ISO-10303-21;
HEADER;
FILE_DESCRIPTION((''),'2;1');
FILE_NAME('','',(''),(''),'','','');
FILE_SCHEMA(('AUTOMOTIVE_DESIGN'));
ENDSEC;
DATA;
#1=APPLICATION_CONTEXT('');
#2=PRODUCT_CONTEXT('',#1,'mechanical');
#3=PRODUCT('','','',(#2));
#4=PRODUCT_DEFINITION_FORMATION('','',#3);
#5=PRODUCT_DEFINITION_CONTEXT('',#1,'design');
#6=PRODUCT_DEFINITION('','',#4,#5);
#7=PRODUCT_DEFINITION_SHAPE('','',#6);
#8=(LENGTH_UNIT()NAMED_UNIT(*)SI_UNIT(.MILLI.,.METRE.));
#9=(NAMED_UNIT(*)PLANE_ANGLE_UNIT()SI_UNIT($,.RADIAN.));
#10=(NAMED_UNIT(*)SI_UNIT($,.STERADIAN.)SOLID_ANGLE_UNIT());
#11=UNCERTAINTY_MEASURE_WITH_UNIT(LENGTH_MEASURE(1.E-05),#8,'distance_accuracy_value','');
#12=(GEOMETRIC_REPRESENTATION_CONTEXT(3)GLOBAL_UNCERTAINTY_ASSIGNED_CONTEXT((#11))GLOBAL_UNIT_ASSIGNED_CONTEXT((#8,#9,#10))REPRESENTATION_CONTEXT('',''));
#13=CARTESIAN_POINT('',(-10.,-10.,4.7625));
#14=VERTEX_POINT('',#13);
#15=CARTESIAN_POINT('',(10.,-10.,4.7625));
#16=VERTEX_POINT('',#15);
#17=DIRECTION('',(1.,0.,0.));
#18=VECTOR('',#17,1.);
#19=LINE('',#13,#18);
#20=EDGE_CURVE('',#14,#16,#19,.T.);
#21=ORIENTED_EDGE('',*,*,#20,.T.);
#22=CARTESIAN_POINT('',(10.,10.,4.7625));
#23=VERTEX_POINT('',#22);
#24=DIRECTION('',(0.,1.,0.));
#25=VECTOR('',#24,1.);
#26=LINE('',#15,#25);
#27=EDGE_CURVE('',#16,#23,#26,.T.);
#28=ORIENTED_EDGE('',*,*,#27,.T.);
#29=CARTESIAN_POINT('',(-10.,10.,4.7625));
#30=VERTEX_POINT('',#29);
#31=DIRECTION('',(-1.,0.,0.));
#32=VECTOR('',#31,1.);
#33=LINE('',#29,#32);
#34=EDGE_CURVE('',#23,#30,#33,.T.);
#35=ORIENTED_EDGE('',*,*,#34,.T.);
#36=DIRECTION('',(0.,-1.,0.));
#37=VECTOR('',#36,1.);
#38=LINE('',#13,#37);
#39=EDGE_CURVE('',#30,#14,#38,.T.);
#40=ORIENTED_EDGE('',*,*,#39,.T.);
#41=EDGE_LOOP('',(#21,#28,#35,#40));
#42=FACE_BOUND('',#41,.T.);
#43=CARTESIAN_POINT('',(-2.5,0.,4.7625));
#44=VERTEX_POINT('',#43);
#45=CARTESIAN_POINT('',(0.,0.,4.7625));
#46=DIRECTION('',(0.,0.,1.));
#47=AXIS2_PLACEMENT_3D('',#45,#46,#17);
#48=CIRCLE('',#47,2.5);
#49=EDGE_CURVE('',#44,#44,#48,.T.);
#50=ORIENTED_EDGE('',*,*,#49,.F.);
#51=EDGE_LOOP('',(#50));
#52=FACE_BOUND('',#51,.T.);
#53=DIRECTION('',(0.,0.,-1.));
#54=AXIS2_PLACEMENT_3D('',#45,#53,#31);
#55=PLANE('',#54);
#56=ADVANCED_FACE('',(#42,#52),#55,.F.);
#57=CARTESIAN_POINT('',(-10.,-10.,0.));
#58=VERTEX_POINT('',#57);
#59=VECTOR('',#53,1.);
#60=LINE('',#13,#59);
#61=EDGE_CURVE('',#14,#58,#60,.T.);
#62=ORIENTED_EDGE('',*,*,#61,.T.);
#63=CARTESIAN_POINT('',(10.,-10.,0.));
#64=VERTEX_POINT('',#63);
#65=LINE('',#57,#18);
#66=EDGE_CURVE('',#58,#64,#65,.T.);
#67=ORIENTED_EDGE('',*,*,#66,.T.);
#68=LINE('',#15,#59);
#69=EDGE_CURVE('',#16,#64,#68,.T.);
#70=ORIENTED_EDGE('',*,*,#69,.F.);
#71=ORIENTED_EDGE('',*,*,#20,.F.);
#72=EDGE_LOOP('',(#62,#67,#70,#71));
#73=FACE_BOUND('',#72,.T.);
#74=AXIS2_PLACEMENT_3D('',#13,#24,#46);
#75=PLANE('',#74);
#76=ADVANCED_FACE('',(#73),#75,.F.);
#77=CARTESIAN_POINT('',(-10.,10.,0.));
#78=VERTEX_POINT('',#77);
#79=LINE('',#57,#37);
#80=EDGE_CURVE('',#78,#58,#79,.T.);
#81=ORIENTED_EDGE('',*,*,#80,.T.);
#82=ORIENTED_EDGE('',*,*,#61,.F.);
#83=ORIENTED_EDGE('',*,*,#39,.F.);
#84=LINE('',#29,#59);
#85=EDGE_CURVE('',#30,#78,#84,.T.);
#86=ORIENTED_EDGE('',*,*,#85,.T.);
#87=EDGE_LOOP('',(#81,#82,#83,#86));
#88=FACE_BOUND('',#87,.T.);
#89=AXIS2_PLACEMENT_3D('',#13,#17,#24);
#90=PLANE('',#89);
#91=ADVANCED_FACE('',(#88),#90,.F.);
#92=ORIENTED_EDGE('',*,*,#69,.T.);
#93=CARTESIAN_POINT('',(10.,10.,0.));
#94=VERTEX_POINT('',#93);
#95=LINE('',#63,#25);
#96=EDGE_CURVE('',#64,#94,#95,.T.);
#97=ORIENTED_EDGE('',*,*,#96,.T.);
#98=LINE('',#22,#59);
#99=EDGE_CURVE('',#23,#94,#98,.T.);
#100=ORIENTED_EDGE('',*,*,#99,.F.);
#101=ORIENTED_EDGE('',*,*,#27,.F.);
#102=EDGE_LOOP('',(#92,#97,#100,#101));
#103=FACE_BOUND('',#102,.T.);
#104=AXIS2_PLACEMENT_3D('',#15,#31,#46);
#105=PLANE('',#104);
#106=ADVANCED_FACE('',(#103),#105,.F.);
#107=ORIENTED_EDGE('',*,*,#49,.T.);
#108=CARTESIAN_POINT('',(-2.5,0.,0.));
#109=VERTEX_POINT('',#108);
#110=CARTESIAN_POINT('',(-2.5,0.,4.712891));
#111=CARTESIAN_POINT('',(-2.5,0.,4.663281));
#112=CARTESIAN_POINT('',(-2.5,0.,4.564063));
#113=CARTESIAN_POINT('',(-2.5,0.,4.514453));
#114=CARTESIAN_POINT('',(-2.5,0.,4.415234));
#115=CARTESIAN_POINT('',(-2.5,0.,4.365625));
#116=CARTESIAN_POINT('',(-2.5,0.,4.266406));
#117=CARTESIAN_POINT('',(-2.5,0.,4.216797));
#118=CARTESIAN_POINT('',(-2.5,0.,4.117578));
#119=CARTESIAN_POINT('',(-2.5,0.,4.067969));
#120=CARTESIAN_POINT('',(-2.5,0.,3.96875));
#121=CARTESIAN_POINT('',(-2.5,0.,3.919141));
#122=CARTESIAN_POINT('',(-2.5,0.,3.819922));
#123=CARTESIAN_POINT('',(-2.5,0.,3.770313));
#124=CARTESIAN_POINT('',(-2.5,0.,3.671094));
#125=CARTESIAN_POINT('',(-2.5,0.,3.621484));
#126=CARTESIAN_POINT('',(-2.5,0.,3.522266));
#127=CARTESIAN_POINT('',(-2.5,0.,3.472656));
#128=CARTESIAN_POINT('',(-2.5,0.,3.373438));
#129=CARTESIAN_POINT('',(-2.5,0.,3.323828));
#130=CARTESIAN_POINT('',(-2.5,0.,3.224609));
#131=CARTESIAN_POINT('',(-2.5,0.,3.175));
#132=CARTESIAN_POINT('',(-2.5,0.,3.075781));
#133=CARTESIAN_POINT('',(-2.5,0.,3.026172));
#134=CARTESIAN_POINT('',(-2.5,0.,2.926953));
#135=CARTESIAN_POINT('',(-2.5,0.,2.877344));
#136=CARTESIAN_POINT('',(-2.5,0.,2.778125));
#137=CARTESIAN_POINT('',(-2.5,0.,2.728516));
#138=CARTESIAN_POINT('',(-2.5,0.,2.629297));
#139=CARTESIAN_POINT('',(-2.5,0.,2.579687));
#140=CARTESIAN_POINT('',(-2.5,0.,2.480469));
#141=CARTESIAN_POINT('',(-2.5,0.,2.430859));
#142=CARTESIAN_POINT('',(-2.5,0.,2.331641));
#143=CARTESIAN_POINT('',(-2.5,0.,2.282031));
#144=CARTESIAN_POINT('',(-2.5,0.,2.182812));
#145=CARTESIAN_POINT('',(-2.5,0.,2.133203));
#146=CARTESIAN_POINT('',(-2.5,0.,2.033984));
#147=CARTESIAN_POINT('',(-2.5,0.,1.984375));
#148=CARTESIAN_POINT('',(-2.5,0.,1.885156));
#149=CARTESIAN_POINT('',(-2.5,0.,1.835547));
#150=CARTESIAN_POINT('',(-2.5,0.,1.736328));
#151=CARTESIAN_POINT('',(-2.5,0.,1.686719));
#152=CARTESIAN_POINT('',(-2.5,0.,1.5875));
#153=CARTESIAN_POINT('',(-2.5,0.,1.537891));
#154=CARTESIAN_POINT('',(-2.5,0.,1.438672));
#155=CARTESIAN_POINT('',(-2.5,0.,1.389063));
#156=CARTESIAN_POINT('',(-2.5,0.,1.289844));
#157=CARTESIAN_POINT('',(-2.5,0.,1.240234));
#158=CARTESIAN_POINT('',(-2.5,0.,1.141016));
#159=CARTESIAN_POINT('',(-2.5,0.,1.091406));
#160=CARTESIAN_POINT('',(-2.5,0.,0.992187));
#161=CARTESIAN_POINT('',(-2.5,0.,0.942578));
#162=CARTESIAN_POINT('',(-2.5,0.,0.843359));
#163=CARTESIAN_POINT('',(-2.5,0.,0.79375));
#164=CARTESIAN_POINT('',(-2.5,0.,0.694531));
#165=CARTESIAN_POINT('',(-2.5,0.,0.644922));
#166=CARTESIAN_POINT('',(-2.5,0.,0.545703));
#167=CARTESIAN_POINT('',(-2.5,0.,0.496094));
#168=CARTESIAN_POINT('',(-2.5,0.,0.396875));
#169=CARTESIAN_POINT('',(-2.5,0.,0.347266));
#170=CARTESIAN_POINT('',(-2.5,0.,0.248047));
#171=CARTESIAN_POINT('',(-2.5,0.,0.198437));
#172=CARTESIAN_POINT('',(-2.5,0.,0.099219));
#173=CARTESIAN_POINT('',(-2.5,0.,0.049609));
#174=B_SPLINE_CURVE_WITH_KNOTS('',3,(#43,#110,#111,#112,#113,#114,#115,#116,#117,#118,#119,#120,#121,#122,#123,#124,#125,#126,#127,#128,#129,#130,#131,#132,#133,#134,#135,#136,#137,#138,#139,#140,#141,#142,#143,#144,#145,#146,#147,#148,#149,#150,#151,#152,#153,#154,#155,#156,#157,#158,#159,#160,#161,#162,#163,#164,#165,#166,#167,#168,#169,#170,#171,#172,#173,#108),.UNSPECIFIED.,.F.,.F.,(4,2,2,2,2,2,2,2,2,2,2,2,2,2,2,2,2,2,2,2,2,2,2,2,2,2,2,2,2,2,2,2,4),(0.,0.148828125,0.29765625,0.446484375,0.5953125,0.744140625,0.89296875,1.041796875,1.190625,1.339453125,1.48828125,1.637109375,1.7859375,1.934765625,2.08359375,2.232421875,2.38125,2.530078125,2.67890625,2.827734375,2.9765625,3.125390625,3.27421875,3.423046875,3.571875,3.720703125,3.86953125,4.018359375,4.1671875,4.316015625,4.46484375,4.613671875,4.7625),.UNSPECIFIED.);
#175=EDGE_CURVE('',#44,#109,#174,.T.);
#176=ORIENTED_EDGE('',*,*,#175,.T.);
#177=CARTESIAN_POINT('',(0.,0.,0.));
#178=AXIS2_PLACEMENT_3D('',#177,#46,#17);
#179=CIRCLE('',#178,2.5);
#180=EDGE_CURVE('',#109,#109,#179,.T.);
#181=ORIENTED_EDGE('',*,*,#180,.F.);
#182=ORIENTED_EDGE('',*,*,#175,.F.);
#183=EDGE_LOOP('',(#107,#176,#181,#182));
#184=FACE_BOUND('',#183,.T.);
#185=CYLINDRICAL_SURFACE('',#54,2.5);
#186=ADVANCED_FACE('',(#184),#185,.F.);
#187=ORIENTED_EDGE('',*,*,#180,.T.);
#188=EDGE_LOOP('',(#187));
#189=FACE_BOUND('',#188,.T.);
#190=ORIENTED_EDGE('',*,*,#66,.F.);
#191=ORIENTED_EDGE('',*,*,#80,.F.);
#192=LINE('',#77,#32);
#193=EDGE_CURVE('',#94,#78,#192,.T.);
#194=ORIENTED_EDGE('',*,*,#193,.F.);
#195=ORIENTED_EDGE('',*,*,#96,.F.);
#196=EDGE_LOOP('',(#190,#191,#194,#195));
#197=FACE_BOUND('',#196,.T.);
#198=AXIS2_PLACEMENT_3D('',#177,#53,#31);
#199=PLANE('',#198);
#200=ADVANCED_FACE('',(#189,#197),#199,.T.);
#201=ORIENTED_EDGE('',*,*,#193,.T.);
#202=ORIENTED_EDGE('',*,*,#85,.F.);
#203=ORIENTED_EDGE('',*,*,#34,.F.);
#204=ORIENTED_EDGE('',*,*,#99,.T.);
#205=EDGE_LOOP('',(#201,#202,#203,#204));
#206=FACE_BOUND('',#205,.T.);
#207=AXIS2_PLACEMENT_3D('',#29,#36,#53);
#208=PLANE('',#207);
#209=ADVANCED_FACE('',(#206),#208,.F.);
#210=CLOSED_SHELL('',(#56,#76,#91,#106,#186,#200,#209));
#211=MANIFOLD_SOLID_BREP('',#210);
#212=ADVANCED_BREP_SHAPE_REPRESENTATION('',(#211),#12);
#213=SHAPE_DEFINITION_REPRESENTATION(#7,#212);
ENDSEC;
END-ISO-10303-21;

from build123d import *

# Parameters (mm, degrees)
SKETCH1_W           = 20
SKETCH1_H           = 20
SKETCH1_R           = 2.5
BOSS_EXTRUDE1_DEPTH = 4.7625


with BuildPart() as part:
    # Sketch1 → Boss-Extrude1 (new body)
    with BuildSketch(Plane.XY):
        Rectangle(SKETCH1_W, SKETCH1_H)
        with Locations(Location((0, 0, 0), (0, 0, 180))):
            Circle(SKETCH1_R, mode=Mode.SUBTRACT)
    extrude(amount=BOSS_EXTRUDE1_DEPTH)


solid = part.part
